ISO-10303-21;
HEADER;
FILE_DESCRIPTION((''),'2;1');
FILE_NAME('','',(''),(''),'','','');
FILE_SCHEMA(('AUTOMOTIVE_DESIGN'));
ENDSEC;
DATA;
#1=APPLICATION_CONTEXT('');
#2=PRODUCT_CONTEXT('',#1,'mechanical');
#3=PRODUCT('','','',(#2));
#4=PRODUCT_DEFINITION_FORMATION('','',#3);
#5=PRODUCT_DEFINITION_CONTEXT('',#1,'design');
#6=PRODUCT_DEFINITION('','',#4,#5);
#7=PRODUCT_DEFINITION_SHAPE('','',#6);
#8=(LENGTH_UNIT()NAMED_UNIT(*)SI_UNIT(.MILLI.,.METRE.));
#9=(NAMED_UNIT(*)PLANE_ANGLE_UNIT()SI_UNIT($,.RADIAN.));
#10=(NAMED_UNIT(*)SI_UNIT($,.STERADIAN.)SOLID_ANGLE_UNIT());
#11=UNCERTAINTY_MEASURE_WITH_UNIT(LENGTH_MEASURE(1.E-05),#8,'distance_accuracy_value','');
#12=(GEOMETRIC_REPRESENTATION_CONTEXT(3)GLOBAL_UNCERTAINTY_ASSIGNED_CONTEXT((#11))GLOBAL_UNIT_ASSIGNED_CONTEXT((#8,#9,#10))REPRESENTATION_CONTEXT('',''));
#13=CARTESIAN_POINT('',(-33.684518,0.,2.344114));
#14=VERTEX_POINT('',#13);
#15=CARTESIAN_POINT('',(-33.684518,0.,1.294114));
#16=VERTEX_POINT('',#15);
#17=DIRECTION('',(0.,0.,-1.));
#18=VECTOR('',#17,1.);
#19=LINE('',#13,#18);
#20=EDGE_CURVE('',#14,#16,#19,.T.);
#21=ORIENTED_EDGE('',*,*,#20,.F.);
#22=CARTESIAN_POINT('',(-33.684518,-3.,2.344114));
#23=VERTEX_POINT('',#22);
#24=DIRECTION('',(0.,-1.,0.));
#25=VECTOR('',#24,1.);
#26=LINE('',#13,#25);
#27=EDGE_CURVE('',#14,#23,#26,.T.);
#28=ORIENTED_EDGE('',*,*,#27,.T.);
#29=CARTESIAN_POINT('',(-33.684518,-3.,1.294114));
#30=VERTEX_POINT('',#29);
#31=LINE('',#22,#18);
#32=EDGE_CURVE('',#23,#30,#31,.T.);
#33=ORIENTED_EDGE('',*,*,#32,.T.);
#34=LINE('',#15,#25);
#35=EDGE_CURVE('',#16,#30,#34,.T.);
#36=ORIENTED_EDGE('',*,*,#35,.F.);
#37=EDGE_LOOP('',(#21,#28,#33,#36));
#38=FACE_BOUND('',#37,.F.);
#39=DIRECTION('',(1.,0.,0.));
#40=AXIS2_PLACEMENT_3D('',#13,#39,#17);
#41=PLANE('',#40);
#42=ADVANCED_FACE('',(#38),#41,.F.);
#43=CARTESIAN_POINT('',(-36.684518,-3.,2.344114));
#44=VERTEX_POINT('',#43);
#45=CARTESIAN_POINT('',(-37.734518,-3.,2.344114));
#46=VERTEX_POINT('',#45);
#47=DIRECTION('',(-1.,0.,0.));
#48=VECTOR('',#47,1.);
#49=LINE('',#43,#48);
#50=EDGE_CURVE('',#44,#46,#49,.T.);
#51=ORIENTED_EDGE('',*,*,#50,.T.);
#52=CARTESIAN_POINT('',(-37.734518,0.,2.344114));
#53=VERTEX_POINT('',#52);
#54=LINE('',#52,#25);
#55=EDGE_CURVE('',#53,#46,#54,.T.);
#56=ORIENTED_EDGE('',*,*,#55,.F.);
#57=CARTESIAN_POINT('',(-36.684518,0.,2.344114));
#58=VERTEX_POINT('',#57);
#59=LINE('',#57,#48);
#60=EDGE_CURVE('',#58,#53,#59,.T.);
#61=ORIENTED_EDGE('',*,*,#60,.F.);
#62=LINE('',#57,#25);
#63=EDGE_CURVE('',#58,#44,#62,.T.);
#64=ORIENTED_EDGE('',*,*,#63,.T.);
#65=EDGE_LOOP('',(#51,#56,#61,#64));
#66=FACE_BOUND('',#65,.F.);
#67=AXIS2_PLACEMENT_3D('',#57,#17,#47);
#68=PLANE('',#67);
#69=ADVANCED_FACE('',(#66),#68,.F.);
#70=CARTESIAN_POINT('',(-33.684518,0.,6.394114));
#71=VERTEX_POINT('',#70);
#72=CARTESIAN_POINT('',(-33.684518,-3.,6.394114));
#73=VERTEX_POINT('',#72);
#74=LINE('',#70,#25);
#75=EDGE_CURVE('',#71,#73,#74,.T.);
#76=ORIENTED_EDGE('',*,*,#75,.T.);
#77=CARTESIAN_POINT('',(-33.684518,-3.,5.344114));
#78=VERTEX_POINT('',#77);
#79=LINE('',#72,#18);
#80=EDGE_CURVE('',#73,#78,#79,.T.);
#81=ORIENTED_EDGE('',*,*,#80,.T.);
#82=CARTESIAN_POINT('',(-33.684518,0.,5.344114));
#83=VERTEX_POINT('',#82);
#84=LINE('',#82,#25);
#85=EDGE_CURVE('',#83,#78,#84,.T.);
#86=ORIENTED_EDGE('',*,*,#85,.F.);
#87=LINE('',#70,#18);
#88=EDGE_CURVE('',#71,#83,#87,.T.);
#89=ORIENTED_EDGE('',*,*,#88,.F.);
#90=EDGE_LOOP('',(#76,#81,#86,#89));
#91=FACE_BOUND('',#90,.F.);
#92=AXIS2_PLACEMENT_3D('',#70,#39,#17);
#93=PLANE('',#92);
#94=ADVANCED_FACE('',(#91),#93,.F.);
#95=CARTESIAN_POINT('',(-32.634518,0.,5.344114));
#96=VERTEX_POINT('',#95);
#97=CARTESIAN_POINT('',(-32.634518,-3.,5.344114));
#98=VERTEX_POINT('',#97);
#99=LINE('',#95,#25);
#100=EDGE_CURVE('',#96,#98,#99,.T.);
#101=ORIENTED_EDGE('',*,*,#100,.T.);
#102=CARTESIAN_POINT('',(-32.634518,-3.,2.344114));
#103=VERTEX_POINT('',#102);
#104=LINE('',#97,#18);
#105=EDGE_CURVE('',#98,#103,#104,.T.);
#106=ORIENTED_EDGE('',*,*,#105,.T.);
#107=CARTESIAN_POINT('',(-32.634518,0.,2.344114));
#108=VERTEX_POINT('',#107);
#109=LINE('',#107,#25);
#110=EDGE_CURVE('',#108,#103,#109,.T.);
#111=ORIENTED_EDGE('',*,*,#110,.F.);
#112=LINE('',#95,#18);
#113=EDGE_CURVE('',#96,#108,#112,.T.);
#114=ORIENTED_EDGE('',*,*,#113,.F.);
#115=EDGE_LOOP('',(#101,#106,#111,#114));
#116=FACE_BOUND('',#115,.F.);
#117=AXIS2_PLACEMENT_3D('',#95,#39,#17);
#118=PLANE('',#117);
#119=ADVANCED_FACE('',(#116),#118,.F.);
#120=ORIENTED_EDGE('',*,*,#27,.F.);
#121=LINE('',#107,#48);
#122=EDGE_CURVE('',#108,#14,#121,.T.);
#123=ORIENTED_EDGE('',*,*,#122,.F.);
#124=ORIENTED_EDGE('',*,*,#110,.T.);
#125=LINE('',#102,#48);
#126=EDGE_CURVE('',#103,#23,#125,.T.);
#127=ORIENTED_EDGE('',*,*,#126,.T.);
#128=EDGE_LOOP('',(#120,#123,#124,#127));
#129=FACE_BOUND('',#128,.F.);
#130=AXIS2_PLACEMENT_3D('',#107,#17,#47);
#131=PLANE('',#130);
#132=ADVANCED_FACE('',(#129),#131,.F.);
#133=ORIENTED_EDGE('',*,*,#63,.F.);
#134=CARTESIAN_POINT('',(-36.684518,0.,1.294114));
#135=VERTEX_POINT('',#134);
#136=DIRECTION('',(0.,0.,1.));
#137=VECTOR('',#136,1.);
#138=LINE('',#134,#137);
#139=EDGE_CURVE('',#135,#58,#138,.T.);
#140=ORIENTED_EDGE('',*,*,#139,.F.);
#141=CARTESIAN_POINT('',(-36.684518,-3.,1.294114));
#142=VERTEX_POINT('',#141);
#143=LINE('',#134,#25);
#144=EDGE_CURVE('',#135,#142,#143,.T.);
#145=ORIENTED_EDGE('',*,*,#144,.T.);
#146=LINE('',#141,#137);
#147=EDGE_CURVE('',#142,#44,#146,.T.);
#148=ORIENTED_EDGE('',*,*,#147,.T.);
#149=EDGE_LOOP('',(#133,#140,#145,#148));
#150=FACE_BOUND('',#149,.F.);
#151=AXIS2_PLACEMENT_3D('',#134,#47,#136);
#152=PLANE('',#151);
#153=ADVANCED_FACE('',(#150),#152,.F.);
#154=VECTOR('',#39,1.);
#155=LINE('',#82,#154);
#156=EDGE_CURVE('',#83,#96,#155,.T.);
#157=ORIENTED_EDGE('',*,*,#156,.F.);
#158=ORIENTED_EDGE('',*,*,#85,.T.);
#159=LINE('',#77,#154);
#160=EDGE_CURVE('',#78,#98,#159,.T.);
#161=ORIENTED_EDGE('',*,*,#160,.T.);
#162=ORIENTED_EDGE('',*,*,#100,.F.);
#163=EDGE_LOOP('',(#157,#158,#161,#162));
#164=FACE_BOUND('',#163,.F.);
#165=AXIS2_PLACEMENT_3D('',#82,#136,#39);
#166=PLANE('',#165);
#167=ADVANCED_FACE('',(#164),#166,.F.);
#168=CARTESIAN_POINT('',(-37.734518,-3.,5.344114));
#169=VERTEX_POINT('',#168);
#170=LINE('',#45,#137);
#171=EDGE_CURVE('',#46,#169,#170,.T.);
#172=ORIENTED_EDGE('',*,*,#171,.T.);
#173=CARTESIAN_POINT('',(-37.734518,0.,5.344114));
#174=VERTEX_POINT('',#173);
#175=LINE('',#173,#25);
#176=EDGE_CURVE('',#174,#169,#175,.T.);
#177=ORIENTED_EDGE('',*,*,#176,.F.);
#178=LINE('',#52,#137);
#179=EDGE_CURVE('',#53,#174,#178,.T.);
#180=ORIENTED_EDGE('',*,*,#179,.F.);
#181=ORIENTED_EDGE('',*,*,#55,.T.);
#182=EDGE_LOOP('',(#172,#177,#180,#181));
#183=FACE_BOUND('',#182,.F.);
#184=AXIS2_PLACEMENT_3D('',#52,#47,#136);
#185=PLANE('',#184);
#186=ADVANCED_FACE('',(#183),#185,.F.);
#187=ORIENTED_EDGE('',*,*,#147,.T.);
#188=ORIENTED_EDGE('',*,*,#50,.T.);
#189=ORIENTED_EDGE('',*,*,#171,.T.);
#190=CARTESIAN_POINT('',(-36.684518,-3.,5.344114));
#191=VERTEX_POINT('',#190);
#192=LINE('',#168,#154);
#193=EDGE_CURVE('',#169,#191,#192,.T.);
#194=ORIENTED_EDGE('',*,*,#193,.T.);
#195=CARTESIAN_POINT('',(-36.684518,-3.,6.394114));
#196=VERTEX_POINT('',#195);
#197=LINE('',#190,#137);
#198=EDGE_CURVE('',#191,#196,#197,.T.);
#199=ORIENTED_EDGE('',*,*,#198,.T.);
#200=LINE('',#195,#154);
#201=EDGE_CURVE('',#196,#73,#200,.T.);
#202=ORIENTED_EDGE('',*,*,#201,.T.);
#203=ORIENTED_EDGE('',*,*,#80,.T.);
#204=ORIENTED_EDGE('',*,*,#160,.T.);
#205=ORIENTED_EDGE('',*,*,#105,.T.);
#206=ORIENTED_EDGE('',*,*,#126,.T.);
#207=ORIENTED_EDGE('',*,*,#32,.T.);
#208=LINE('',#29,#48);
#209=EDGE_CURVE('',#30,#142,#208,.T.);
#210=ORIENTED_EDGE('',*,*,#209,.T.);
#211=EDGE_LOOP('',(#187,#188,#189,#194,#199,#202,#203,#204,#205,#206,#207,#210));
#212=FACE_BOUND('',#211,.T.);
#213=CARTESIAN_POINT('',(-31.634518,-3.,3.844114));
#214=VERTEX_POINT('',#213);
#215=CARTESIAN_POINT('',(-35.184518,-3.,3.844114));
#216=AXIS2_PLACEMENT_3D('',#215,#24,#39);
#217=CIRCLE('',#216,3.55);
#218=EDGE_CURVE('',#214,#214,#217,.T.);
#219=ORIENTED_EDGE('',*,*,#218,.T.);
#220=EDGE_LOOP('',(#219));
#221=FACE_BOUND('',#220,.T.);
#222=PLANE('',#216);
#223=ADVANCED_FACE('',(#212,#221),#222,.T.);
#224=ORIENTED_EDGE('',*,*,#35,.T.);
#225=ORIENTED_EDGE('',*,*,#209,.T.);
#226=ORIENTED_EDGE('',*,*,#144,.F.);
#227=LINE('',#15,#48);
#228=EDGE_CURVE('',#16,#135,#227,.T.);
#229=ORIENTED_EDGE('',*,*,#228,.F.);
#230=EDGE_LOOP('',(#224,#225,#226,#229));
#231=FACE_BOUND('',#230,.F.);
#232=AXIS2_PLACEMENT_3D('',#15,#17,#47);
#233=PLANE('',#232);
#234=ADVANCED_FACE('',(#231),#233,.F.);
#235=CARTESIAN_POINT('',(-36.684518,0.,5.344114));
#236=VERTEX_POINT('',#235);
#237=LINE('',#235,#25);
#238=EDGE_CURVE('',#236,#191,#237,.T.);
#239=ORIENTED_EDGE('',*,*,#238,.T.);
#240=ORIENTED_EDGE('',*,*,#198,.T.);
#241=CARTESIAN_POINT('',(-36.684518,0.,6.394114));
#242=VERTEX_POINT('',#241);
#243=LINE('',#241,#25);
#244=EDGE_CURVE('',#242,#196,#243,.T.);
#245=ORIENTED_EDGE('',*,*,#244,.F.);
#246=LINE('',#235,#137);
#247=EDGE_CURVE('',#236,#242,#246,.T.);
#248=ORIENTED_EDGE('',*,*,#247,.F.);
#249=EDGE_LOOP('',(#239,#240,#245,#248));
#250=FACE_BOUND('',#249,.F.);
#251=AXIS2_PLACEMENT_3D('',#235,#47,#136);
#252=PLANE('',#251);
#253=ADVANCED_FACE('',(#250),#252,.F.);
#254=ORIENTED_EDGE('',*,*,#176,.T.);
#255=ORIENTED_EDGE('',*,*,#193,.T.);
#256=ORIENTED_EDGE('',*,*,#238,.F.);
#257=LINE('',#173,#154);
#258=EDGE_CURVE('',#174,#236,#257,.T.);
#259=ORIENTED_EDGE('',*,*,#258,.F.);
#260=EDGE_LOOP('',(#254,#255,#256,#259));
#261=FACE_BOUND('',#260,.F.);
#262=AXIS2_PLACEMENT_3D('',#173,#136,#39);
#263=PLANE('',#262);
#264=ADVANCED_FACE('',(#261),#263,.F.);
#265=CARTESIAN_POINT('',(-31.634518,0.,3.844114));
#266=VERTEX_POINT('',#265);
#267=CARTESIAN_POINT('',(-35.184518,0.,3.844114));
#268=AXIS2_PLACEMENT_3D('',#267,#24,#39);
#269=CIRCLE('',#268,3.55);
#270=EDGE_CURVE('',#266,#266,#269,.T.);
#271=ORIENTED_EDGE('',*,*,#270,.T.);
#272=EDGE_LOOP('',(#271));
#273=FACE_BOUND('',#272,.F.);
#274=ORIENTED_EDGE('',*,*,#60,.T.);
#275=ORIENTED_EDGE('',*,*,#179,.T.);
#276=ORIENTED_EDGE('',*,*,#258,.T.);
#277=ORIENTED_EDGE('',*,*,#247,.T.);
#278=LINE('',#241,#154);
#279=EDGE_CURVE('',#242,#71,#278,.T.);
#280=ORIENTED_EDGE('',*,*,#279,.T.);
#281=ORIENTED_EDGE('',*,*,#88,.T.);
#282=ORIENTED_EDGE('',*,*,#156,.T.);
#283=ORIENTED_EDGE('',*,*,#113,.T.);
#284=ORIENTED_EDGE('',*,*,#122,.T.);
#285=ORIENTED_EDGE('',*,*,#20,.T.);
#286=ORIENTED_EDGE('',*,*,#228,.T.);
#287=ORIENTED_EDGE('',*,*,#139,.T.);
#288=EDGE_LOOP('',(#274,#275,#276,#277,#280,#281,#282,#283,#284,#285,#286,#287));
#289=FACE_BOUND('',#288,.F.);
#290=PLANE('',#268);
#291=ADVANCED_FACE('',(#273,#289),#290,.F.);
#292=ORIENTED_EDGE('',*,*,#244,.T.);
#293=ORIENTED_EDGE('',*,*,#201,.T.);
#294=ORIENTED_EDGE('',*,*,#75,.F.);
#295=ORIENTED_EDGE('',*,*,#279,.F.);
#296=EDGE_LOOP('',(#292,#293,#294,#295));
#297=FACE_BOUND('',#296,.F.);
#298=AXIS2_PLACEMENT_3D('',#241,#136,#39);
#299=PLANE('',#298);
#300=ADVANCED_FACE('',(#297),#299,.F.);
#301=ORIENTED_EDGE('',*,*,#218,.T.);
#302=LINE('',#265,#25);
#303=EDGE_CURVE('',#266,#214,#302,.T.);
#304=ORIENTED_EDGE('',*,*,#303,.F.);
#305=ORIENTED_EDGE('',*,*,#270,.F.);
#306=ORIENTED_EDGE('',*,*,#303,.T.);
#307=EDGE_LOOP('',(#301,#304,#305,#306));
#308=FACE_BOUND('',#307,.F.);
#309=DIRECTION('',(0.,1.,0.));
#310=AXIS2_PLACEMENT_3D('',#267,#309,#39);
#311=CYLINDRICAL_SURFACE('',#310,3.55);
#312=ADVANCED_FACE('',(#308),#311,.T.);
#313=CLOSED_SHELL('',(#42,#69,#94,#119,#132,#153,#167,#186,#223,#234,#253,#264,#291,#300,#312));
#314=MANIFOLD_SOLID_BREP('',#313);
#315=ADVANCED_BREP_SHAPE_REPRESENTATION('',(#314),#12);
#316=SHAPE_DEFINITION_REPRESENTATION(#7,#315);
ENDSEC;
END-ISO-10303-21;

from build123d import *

# Parameters (mm, degrees)
F0_R     = 3.55
F1_DEPTH = 3


with BuildPart() as f1:
    # F0 (on Front) → F1 (new body)
    with BuildSketch(Plane.XZ):
        with Locations((-35.184518, 3.844114)):
            Circle(F0_R)
        Polygon((-37.734518, 2.344114), (-37.734518, 5.344114), (-36.684518, 5.344114), (-36.684518, 6.394114), (-33.684518, 6.394114), (-33.684518, 5.344114), (-32.634518, 5.344114), (-32.634518, 2.344114), (-33.684518, 2.344114), (-33.684518, 1.294114), (-36.684518, 1.294114), (-36.684518, 2.344114), align=None, mode=Mode.SUBTRACT)
    extrude(amount=F1_DEPTH)


solid = f1.part
